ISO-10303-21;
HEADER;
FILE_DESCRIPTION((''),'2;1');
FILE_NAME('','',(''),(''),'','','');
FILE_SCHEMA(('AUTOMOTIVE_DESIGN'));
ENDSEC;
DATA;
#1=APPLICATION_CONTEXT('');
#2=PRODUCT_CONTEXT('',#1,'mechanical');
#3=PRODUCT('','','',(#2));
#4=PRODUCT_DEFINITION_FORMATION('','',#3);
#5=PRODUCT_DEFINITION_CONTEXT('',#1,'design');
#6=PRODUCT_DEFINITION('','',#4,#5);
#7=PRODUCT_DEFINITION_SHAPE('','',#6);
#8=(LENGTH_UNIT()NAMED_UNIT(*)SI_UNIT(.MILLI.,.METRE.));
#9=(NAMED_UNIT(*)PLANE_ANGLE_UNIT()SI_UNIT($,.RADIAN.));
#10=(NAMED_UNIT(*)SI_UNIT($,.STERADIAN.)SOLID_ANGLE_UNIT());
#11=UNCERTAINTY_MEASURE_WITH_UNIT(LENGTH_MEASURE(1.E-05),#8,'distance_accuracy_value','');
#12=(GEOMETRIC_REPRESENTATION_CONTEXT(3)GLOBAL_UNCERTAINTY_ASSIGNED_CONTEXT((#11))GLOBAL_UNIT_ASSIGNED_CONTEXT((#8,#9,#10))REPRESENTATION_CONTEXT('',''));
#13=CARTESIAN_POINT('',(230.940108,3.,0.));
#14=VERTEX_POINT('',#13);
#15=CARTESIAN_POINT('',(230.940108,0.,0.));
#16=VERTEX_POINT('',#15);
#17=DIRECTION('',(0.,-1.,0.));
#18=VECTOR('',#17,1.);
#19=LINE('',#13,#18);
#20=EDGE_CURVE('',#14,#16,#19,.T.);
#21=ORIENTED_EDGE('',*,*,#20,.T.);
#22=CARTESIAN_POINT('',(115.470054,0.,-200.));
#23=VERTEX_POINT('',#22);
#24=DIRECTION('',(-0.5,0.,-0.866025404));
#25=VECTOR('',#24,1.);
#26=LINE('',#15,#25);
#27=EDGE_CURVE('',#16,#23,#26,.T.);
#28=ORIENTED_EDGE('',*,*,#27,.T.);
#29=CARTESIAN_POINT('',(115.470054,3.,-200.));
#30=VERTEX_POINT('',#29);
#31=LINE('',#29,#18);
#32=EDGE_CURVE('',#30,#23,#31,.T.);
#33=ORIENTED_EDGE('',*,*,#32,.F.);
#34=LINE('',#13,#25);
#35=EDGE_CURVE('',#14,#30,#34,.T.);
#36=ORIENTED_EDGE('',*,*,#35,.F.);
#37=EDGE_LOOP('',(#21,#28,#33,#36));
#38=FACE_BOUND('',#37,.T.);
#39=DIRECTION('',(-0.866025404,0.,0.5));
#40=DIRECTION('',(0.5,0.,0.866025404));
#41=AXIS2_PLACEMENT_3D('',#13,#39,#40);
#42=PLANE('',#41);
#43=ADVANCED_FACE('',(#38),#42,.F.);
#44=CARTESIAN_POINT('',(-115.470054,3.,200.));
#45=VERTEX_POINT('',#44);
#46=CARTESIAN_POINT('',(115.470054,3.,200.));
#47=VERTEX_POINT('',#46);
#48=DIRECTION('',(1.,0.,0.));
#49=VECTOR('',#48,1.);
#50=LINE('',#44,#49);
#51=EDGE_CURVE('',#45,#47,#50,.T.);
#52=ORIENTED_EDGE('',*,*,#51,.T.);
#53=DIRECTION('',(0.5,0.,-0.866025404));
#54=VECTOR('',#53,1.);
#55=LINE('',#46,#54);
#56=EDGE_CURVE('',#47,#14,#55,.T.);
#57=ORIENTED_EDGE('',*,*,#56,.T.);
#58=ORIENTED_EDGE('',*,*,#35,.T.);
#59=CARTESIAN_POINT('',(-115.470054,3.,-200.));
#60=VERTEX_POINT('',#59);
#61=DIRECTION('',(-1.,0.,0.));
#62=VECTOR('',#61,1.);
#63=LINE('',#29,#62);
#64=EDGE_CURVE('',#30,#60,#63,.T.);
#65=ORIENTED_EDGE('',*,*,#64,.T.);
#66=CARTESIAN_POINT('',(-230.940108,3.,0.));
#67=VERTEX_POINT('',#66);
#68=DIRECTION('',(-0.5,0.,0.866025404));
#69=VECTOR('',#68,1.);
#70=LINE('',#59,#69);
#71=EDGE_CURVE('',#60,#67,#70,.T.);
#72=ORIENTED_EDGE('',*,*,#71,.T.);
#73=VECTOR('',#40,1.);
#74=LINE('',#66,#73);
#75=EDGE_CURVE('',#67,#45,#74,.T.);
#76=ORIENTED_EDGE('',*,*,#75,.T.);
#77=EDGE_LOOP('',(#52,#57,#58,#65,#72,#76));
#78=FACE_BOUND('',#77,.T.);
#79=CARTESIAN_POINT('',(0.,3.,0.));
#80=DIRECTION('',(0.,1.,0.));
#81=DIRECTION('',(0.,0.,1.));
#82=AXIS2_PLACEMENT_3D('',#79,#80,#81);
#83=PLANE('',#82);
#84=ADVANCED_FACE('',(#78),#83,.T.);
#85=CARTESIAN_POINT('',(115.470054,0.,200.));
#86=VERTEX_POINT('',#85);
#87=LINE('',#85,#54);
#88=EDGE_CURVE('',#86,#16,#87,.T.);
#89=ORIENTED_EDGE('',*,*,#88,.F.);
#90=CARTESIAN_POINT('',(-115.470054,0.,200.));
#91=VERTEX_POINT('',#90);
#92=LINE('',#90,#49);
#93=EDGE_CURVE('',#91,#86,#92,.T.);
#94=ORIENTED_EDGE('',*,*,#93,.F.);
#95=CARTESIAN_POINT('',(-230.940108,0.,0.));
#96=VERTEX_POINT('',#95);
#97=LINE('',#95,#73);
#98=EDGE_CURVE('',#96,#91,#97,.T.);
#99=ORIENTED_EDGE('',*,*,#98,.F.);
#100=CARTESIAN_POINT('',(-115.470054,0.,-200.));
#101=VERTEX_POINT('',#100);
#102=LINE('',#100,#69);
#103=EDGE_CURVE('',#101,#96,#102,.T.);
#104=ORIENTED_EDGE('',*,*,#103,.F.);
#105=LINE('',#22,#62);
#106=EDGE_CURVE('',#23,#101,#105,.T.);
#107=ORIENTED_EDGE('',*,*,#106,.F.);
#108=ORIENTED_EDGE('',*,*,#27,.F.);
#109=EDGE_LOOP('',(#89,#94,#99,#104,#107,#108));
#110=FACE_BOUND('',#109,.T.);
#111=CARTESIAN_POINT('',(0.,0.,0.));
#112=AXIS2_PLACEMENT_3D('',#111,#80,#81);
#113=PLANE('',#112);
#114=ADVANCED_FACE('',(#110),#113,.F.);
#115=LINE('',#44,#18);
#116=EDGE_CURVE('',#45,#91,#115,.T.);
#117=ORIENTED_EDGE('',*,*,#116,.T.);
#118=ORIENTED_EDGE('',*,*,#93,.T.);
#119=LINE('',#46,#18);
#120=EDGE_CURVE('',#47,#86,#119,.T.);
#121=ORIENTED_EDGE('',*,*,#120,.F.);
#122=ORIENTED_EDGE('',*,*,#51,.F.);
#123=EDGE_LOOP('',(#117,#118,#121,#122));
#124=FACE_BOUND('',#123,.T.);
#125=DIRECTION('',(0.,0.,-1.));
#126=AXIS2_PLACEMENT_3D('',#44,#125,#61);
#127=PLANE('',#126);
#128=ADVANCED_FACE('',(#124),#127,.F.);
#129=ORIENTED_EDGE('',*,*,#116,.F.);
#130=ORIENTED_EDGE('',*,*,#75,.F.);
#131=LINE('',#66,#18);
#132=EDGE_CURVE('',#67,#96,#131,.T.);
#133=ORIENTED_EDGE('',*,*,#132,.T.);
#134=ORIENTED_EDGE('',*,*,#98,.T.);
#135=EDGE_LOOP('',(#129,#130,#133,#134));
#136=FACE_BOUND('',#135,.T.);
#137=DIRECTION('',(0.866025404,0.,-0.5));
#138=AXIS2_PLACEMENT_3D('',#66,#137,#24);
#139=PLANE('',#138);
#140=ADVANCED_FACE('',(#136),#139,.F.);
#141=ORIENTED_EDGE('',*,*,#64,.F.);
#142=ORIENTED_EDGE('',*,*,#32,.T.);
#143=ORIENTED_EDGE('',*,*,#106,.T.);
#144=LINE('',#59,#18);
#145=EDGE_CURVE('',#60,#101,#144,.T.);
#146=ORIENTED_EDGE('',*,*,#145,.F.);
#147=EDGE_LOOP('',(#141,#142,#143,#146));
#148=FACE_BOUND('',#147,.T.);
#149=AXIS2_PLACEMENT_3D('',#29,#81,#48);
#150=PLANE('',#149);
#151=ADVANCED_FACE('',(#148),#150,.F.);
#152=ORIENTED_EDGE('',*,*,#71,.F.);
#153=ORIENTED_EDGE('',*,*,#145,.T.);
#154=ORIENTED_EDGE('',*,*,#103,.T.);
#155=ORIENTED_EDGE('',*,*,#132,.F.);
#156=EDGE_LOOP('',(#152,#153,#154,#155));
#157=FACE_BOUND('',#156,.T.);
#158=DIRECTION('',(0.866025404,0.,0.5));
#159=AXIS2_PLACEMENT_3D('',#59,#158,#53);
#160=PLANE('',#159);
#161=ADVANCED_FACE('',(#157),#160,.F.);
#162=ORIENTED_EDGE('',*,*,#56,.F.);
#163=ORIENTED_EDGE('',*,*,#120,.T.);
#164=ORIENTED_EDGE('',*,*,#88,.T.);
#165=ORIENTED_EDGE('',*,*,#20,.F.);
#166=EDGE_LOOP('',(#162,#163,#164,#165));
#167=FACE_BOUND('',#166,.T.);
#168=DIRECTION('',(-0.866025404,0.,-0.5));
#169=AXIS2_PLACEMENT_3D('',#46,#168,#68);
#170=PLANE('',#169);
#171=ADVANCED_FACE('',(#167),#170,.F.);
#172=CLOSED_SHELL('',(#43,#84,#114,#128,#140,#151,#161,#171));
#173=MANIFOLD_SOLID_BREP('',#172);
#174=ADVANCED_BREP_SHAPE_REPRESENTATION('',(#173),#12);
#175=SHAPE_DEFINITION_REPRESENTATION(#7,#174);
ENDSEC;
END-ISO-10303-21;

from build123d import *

# Parameters (mm, degrees)
BOSS_EXTRUDE1_DEPTH = 3


with BuildPart() as part:
    # Sketch2 → Boss-Extrude1 (new body)
    with BuildSketch(Plane(origin=(0, 0, 0), x_dir=(1, 0, 0), z_dir=(0, 1, 0))):
        Polygon((230.940107676, 0), (115.470053838, 200), (-115.470053838, 200), (-230.940107676, 0), (-115.470053838, -200), (115.470053838, -200), align=None)
    extrude(amount=BOSS_EXTRUDE1_DEPTH)


solid = part.part
